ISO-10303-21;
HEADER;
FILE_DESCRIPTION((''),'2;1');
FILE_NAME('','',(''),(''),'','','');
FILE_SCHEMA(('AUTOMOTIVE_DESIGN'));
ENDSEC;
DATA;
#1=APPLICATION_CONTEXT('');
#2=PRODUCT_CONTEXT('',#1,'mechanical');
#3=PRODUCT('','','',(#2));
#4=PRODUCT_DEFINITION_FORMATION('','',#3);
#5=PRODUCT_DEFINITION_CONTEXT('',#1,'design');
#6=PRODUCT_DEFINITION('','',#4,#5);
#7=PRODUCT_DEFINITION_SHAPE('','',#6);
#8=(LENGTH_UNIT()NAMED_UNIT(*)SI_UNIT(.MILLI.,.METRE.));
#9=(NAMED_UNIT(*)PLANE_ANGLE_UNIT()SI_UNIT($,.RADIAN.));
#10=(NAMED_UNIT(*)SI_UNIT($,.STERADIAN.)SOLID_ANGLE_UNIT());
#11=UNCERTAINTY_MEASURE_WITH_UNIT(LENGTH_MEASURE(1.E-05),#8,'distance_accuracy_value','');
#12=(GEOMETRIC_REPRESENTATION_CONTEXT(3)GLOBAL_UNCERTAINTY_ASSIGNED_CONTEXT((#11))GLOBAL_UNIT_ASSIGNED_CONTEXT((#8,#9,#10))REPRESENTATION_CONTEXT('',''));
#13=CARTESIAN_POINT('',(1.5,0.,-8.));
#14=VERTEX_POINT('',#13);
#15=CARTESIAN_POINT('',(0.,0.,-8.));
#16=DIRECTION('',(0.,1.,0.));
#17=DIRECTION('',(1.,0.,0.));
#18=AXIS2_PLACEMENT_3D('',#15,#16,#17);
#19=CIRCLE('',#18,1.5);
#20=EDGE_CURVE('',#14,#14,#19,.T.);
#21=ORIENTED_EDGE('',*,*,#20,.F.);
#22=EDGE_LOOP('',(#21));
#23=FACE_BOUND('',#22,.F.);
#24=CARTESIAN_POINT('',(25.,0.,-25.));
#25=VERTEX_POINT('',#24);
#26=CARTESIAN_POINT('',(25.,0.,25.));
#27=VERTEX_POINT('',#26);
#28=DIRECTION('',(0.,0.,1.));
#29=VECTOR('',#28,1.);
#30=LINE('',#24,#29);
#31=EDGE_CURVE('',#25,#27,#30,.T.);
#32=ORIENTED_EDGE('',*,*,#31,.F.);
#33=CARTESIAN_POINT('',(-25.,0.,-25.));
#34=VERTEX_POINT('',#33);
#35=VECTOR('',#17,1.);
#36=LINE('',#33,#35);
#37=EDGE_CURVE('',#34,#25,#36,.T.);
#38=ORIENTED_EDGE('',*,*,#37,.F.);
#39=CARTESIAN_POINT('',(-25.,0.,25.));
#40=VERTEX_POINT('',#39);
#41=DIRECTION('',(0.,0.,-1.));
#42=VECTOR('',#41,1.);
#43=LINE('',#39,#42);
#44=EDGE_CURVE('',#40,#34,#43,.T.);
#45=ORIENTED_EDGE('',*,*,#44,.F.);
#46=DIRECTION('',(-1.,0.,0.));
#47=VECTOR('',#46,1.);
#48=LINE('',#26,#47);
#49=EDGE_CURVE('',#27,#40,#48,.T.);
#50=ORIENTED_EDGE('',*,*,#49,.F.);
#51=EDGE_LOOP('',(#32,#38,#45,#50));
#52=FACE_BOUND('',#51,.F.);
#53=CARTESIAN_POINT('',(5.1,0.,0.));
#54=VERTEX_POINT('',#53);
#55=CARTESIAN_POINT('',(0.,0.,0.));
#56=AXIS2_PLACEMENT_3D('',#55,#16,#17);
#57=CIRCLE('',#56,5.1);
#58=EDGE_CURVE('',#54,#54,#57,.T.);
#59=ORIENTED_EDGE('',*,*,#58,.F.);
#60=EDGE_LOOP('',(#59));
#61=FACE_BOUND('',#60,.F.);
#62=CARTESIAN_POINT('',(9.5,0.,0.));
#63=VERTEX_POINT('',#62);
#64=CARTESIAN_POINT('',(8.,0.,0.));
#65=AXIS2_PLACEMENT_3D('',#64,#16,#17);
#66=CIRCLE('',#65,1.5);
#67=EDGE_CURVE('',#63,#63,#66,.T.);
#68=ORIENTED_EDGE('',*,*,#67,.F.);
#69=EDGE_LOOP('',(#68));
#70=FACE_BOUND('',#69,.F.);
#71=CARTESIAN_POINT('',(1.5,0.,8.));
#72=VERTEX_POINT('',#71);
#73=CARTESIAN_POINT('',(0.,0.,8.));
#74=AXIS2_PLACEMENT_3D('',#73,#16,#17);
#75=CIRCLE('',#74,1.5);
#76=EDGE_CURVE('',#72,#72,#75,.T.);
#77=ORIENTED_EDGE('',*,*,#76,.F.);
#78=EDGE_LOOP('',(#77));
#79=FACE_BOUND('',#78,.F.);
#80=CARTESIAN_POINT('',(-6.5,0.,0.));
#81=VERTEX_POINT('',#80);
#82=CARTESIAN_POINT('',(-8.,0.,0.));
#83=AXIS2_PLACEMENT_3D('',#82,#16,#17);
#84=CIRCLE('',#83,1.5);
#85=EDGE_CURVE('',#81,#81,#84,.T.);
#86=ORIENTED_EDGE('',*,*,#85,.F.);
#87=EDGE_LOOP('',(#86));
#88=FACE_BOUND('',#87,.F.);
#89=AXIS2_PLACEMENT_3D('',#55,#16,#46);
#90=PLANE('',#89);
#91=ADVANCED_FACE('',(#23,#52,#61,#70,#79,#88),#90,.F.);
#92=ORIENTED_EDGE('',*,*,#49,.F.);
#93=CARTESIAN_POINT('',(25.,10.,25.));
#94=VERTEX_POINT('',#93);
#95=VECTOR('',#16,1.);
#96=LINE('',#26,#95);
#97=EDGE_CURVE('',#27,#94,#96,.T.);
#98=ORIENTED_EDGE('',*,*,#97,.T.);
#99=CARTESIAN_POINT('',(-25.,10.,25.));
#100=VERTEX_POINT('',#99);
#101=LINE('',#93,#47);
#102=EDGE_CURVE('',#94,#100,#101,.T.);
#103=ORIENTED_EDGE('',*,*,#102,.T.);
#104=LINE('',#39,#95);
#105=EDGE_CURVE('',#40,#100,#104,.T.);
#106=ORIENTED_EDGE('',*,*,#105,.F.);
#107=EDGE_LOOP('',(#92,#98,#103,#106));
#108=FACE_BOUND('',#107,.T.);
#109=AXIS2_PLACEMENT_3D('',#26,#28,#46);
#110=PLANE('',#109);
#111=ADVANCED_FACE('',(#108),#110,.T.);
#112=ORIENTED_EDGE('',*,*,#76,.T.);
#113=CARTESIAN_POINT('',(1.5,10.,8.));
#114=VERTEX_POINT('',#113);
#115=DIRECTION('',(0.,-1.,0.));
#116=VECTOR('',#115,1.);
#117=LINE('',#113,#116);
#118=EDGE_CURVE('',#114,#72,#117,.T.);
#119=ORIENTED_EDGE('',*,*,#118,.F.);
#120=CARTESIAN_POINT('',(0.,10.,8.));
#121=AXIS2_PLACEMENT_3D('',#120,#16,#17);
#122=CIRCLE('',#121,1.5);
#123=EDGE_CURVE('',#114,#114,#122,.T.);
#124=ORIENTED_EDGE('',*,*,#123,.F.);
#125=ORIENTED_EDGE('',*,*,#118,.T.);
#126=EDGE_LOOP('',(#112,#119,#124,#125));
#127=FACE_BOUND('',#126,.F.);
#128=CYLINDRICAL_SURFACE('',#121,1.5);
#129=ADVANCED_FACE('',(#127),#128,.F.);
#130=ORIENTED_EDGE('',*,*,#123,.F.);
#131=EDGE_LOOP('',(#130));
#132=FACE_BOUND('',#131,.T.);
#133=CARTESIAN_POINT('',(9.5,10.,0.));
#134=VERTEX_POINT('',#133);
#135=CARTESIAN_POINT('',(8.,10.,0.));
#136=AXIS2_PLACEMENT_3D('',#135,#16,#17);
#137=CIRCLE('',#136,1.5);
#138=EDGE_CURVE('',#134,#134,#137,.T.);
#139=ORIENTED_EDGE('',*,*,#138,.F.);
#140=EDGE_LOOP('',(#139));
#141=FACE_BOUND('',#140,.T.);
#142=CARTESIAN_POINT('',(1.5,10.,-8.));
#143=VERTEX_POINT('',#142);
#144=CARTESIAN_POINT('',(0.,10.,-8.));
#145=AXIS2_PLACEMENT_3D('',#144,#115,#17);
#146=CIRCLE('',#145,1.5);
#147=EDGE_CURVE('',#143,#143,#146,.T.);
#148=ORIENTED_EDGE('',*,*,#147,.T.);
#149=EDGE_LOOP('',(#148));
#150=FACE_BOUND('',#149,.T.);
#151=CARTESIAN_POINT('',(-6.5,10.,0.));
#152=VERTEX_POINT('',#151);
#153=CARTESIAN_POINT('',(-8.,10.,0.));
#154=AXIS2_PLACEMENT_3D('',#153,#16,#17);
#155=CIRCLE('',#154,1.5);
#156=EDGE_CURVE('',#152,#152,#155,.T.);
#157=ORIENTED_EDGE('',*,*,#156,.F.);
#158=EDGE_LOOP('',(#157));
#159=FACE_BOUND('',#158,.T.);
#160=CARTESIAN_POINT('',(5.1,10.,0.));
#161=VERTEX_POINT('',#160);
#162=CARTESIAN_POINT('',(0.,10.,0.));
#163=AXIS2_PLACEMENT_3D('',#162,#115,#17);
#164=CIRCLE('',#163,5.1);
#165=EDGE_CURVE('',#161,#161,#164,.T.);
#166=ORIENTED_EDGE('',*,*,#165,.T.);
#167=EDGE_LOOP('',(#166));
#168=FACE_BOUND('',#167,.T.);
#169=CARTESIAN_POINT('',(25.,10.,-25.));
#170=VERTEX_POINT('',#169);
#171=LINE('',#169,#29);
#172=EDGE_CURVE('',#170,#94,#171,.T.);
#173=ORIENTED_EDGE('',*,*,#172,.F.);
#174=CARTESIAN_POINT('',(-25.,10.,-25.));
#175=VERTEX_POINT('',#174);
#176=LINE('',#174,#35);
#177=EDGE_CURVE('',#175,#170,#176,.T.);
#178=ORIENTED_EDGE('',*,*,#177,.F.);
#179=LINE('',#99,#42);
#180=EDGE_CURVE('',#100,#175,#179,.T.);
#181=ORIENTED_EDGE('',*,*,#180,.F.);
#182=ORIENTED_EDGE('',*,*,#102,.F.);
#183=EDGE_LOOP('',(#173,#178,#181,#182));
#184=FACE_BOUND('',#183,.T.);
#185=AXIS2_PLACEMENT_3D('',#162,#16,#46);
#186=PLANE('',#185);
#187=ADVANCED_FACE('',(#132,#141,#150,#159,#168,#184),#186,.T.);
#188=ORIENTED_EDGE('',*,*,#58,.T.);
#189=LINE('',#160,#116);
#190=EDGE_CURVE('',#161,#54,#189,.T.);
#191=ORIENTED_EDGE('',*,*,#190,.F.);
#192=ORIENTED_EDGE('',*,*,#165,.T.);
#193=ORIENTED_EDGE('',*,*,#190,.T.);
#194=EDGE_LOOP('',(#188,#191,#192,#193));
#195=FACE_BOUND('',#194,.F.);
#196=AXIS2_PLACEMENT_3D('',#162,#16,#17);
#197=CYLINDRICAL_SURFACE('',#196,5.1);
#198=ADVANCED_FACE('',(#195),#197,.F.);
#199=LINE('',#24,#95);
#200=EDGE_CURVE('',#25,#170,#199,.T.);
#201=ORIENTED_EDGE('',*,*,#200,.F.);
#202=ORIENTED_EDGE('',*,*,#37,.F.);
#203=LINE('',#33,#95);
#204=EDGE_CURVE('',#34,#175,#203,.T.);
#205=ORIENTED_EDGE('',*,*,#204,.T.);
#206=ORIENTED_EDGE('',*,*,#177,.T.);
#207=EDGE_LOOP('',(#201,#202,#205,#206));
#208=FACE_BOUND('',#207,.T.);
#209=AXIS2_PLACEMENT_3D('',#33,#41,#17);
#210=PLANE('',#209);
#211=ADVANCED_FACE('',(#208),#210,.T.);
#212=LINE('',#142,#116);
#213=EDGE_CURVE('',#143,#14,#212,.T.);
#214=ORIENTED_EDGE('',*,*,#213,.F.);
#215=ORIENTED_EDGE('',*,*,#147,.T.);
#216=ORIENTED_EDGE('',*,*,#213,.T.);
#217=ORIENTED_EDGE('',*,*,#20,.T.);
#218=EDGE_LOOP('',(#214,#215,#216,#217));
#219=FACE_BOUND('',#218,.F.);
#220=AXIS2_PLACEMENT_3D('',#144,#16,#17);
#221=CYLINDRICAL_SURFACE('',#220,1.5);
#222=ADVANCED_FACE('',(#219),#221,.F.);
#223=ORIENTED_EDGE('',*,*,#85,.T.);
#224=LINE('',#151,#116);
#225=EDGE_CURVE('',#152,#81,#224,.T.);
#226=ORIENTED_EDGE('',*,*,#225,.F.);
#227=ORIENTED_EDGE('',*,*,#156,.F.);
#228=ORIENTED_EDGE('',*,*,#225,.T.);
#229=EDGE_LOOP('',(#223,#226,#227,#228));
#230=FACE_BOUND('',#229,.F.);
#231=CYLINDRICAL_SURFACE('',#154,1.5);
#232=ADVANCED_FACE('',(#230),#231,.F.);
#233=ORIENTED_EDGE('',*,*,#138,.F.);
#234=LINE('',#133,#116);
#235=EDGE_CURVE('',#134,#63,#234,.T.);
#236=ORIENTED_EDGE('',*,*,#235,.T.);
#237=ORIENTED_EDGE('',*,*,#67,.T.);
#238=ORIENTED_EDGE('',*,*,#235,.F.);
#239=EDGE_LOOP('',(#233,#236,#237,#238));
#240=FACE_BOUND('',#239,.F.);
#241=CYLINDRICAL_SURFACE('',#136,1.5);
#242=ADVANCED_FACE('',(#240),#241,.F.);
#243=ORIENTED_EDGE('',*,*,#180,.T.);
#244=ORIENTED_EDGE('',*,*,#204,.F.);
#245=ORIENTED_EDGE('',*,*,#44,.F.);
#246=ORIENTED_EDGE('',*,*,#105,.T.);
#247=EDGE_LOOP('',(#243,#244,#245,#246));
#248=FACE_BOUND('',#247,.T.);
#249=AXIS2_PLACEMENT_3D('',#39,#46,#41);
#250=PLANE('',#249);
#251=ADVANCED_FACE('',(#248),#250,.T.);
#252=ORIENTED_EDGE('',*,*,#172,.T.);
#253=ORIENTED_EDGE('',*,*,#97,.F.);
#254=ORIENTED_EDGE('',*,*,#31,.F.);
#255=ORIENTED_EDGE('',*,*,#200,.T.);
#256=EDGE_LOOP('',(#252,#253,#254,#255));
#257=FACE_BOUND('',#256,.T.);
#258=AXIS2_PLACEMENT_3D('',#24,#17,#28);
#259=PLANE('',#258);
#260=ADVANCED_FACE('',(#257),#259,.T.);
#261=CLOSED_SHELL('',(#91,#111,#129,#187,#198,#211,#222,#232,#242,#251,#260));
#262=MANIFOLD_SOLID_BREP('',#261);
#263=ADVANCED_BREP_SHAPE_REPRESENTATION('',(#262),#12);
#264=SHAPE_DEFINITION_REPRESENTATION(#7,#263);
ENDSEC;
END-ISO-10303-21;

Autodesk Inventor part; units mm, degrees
ref_plane "YZ Plane" through (0, 0, 0) normal (1, 0, 0) x (0, 1, 0)
ref_plane "XZ Plane" through (0, 0, 0) normal (0, 1, 0) x (-1, 0, 0)
ref_plane "XY Plane" through (0, 0, 0) normal (0, 0, 1) x (1, 0, 0)
sketch "Sketch1" plane through (0, 0, 0) normal (0, 1, 0) x (-1, 0, 0)
  line L0 (25, -25) -> (-25, -25)
  line L1 (-25, -25) -> (-25, 25)
  line L2 (-25, 25) -> (25, 25)
  line L3 (25, 25) -> (25, -25)
  line L4 (25, -25) -> (-25, 25) construction
  line L5 (-25, -25) -> (25, 25) construction
  point P0 (0, 0)
  dimension "d0" = 50
  dimension "d1" = 50
extrude "Extrusion1" add sketch "Sketch1" along normal blind 10
sketch "Sketch2" plane through (0, 10, 0) normal (0, 1, 0) x (1, 0, 0)
  line L0 (25, -25) -> (25, 25) projected
  line L1 (0, 0) -> (0, 8)
  circle A0 centre (0, 8) radius 1.5
  circle A1 centre (0, 0) radius 5.1
  circle A2 centre (-8, 0) radius 1.5
  circle A3 centre (0, -8) radius 1.5
  circle A4 centre (8, 0) radius 1.5
  dimension "d4" = 8
  dimension "screw_hole" = 3
  dimension "center_hole" = 10.2
  dimension "d9" = 360
extrude "Extrusion2" cut sketch "Sketch2" against normal up to next
properties part number "ACMENUTgen"
